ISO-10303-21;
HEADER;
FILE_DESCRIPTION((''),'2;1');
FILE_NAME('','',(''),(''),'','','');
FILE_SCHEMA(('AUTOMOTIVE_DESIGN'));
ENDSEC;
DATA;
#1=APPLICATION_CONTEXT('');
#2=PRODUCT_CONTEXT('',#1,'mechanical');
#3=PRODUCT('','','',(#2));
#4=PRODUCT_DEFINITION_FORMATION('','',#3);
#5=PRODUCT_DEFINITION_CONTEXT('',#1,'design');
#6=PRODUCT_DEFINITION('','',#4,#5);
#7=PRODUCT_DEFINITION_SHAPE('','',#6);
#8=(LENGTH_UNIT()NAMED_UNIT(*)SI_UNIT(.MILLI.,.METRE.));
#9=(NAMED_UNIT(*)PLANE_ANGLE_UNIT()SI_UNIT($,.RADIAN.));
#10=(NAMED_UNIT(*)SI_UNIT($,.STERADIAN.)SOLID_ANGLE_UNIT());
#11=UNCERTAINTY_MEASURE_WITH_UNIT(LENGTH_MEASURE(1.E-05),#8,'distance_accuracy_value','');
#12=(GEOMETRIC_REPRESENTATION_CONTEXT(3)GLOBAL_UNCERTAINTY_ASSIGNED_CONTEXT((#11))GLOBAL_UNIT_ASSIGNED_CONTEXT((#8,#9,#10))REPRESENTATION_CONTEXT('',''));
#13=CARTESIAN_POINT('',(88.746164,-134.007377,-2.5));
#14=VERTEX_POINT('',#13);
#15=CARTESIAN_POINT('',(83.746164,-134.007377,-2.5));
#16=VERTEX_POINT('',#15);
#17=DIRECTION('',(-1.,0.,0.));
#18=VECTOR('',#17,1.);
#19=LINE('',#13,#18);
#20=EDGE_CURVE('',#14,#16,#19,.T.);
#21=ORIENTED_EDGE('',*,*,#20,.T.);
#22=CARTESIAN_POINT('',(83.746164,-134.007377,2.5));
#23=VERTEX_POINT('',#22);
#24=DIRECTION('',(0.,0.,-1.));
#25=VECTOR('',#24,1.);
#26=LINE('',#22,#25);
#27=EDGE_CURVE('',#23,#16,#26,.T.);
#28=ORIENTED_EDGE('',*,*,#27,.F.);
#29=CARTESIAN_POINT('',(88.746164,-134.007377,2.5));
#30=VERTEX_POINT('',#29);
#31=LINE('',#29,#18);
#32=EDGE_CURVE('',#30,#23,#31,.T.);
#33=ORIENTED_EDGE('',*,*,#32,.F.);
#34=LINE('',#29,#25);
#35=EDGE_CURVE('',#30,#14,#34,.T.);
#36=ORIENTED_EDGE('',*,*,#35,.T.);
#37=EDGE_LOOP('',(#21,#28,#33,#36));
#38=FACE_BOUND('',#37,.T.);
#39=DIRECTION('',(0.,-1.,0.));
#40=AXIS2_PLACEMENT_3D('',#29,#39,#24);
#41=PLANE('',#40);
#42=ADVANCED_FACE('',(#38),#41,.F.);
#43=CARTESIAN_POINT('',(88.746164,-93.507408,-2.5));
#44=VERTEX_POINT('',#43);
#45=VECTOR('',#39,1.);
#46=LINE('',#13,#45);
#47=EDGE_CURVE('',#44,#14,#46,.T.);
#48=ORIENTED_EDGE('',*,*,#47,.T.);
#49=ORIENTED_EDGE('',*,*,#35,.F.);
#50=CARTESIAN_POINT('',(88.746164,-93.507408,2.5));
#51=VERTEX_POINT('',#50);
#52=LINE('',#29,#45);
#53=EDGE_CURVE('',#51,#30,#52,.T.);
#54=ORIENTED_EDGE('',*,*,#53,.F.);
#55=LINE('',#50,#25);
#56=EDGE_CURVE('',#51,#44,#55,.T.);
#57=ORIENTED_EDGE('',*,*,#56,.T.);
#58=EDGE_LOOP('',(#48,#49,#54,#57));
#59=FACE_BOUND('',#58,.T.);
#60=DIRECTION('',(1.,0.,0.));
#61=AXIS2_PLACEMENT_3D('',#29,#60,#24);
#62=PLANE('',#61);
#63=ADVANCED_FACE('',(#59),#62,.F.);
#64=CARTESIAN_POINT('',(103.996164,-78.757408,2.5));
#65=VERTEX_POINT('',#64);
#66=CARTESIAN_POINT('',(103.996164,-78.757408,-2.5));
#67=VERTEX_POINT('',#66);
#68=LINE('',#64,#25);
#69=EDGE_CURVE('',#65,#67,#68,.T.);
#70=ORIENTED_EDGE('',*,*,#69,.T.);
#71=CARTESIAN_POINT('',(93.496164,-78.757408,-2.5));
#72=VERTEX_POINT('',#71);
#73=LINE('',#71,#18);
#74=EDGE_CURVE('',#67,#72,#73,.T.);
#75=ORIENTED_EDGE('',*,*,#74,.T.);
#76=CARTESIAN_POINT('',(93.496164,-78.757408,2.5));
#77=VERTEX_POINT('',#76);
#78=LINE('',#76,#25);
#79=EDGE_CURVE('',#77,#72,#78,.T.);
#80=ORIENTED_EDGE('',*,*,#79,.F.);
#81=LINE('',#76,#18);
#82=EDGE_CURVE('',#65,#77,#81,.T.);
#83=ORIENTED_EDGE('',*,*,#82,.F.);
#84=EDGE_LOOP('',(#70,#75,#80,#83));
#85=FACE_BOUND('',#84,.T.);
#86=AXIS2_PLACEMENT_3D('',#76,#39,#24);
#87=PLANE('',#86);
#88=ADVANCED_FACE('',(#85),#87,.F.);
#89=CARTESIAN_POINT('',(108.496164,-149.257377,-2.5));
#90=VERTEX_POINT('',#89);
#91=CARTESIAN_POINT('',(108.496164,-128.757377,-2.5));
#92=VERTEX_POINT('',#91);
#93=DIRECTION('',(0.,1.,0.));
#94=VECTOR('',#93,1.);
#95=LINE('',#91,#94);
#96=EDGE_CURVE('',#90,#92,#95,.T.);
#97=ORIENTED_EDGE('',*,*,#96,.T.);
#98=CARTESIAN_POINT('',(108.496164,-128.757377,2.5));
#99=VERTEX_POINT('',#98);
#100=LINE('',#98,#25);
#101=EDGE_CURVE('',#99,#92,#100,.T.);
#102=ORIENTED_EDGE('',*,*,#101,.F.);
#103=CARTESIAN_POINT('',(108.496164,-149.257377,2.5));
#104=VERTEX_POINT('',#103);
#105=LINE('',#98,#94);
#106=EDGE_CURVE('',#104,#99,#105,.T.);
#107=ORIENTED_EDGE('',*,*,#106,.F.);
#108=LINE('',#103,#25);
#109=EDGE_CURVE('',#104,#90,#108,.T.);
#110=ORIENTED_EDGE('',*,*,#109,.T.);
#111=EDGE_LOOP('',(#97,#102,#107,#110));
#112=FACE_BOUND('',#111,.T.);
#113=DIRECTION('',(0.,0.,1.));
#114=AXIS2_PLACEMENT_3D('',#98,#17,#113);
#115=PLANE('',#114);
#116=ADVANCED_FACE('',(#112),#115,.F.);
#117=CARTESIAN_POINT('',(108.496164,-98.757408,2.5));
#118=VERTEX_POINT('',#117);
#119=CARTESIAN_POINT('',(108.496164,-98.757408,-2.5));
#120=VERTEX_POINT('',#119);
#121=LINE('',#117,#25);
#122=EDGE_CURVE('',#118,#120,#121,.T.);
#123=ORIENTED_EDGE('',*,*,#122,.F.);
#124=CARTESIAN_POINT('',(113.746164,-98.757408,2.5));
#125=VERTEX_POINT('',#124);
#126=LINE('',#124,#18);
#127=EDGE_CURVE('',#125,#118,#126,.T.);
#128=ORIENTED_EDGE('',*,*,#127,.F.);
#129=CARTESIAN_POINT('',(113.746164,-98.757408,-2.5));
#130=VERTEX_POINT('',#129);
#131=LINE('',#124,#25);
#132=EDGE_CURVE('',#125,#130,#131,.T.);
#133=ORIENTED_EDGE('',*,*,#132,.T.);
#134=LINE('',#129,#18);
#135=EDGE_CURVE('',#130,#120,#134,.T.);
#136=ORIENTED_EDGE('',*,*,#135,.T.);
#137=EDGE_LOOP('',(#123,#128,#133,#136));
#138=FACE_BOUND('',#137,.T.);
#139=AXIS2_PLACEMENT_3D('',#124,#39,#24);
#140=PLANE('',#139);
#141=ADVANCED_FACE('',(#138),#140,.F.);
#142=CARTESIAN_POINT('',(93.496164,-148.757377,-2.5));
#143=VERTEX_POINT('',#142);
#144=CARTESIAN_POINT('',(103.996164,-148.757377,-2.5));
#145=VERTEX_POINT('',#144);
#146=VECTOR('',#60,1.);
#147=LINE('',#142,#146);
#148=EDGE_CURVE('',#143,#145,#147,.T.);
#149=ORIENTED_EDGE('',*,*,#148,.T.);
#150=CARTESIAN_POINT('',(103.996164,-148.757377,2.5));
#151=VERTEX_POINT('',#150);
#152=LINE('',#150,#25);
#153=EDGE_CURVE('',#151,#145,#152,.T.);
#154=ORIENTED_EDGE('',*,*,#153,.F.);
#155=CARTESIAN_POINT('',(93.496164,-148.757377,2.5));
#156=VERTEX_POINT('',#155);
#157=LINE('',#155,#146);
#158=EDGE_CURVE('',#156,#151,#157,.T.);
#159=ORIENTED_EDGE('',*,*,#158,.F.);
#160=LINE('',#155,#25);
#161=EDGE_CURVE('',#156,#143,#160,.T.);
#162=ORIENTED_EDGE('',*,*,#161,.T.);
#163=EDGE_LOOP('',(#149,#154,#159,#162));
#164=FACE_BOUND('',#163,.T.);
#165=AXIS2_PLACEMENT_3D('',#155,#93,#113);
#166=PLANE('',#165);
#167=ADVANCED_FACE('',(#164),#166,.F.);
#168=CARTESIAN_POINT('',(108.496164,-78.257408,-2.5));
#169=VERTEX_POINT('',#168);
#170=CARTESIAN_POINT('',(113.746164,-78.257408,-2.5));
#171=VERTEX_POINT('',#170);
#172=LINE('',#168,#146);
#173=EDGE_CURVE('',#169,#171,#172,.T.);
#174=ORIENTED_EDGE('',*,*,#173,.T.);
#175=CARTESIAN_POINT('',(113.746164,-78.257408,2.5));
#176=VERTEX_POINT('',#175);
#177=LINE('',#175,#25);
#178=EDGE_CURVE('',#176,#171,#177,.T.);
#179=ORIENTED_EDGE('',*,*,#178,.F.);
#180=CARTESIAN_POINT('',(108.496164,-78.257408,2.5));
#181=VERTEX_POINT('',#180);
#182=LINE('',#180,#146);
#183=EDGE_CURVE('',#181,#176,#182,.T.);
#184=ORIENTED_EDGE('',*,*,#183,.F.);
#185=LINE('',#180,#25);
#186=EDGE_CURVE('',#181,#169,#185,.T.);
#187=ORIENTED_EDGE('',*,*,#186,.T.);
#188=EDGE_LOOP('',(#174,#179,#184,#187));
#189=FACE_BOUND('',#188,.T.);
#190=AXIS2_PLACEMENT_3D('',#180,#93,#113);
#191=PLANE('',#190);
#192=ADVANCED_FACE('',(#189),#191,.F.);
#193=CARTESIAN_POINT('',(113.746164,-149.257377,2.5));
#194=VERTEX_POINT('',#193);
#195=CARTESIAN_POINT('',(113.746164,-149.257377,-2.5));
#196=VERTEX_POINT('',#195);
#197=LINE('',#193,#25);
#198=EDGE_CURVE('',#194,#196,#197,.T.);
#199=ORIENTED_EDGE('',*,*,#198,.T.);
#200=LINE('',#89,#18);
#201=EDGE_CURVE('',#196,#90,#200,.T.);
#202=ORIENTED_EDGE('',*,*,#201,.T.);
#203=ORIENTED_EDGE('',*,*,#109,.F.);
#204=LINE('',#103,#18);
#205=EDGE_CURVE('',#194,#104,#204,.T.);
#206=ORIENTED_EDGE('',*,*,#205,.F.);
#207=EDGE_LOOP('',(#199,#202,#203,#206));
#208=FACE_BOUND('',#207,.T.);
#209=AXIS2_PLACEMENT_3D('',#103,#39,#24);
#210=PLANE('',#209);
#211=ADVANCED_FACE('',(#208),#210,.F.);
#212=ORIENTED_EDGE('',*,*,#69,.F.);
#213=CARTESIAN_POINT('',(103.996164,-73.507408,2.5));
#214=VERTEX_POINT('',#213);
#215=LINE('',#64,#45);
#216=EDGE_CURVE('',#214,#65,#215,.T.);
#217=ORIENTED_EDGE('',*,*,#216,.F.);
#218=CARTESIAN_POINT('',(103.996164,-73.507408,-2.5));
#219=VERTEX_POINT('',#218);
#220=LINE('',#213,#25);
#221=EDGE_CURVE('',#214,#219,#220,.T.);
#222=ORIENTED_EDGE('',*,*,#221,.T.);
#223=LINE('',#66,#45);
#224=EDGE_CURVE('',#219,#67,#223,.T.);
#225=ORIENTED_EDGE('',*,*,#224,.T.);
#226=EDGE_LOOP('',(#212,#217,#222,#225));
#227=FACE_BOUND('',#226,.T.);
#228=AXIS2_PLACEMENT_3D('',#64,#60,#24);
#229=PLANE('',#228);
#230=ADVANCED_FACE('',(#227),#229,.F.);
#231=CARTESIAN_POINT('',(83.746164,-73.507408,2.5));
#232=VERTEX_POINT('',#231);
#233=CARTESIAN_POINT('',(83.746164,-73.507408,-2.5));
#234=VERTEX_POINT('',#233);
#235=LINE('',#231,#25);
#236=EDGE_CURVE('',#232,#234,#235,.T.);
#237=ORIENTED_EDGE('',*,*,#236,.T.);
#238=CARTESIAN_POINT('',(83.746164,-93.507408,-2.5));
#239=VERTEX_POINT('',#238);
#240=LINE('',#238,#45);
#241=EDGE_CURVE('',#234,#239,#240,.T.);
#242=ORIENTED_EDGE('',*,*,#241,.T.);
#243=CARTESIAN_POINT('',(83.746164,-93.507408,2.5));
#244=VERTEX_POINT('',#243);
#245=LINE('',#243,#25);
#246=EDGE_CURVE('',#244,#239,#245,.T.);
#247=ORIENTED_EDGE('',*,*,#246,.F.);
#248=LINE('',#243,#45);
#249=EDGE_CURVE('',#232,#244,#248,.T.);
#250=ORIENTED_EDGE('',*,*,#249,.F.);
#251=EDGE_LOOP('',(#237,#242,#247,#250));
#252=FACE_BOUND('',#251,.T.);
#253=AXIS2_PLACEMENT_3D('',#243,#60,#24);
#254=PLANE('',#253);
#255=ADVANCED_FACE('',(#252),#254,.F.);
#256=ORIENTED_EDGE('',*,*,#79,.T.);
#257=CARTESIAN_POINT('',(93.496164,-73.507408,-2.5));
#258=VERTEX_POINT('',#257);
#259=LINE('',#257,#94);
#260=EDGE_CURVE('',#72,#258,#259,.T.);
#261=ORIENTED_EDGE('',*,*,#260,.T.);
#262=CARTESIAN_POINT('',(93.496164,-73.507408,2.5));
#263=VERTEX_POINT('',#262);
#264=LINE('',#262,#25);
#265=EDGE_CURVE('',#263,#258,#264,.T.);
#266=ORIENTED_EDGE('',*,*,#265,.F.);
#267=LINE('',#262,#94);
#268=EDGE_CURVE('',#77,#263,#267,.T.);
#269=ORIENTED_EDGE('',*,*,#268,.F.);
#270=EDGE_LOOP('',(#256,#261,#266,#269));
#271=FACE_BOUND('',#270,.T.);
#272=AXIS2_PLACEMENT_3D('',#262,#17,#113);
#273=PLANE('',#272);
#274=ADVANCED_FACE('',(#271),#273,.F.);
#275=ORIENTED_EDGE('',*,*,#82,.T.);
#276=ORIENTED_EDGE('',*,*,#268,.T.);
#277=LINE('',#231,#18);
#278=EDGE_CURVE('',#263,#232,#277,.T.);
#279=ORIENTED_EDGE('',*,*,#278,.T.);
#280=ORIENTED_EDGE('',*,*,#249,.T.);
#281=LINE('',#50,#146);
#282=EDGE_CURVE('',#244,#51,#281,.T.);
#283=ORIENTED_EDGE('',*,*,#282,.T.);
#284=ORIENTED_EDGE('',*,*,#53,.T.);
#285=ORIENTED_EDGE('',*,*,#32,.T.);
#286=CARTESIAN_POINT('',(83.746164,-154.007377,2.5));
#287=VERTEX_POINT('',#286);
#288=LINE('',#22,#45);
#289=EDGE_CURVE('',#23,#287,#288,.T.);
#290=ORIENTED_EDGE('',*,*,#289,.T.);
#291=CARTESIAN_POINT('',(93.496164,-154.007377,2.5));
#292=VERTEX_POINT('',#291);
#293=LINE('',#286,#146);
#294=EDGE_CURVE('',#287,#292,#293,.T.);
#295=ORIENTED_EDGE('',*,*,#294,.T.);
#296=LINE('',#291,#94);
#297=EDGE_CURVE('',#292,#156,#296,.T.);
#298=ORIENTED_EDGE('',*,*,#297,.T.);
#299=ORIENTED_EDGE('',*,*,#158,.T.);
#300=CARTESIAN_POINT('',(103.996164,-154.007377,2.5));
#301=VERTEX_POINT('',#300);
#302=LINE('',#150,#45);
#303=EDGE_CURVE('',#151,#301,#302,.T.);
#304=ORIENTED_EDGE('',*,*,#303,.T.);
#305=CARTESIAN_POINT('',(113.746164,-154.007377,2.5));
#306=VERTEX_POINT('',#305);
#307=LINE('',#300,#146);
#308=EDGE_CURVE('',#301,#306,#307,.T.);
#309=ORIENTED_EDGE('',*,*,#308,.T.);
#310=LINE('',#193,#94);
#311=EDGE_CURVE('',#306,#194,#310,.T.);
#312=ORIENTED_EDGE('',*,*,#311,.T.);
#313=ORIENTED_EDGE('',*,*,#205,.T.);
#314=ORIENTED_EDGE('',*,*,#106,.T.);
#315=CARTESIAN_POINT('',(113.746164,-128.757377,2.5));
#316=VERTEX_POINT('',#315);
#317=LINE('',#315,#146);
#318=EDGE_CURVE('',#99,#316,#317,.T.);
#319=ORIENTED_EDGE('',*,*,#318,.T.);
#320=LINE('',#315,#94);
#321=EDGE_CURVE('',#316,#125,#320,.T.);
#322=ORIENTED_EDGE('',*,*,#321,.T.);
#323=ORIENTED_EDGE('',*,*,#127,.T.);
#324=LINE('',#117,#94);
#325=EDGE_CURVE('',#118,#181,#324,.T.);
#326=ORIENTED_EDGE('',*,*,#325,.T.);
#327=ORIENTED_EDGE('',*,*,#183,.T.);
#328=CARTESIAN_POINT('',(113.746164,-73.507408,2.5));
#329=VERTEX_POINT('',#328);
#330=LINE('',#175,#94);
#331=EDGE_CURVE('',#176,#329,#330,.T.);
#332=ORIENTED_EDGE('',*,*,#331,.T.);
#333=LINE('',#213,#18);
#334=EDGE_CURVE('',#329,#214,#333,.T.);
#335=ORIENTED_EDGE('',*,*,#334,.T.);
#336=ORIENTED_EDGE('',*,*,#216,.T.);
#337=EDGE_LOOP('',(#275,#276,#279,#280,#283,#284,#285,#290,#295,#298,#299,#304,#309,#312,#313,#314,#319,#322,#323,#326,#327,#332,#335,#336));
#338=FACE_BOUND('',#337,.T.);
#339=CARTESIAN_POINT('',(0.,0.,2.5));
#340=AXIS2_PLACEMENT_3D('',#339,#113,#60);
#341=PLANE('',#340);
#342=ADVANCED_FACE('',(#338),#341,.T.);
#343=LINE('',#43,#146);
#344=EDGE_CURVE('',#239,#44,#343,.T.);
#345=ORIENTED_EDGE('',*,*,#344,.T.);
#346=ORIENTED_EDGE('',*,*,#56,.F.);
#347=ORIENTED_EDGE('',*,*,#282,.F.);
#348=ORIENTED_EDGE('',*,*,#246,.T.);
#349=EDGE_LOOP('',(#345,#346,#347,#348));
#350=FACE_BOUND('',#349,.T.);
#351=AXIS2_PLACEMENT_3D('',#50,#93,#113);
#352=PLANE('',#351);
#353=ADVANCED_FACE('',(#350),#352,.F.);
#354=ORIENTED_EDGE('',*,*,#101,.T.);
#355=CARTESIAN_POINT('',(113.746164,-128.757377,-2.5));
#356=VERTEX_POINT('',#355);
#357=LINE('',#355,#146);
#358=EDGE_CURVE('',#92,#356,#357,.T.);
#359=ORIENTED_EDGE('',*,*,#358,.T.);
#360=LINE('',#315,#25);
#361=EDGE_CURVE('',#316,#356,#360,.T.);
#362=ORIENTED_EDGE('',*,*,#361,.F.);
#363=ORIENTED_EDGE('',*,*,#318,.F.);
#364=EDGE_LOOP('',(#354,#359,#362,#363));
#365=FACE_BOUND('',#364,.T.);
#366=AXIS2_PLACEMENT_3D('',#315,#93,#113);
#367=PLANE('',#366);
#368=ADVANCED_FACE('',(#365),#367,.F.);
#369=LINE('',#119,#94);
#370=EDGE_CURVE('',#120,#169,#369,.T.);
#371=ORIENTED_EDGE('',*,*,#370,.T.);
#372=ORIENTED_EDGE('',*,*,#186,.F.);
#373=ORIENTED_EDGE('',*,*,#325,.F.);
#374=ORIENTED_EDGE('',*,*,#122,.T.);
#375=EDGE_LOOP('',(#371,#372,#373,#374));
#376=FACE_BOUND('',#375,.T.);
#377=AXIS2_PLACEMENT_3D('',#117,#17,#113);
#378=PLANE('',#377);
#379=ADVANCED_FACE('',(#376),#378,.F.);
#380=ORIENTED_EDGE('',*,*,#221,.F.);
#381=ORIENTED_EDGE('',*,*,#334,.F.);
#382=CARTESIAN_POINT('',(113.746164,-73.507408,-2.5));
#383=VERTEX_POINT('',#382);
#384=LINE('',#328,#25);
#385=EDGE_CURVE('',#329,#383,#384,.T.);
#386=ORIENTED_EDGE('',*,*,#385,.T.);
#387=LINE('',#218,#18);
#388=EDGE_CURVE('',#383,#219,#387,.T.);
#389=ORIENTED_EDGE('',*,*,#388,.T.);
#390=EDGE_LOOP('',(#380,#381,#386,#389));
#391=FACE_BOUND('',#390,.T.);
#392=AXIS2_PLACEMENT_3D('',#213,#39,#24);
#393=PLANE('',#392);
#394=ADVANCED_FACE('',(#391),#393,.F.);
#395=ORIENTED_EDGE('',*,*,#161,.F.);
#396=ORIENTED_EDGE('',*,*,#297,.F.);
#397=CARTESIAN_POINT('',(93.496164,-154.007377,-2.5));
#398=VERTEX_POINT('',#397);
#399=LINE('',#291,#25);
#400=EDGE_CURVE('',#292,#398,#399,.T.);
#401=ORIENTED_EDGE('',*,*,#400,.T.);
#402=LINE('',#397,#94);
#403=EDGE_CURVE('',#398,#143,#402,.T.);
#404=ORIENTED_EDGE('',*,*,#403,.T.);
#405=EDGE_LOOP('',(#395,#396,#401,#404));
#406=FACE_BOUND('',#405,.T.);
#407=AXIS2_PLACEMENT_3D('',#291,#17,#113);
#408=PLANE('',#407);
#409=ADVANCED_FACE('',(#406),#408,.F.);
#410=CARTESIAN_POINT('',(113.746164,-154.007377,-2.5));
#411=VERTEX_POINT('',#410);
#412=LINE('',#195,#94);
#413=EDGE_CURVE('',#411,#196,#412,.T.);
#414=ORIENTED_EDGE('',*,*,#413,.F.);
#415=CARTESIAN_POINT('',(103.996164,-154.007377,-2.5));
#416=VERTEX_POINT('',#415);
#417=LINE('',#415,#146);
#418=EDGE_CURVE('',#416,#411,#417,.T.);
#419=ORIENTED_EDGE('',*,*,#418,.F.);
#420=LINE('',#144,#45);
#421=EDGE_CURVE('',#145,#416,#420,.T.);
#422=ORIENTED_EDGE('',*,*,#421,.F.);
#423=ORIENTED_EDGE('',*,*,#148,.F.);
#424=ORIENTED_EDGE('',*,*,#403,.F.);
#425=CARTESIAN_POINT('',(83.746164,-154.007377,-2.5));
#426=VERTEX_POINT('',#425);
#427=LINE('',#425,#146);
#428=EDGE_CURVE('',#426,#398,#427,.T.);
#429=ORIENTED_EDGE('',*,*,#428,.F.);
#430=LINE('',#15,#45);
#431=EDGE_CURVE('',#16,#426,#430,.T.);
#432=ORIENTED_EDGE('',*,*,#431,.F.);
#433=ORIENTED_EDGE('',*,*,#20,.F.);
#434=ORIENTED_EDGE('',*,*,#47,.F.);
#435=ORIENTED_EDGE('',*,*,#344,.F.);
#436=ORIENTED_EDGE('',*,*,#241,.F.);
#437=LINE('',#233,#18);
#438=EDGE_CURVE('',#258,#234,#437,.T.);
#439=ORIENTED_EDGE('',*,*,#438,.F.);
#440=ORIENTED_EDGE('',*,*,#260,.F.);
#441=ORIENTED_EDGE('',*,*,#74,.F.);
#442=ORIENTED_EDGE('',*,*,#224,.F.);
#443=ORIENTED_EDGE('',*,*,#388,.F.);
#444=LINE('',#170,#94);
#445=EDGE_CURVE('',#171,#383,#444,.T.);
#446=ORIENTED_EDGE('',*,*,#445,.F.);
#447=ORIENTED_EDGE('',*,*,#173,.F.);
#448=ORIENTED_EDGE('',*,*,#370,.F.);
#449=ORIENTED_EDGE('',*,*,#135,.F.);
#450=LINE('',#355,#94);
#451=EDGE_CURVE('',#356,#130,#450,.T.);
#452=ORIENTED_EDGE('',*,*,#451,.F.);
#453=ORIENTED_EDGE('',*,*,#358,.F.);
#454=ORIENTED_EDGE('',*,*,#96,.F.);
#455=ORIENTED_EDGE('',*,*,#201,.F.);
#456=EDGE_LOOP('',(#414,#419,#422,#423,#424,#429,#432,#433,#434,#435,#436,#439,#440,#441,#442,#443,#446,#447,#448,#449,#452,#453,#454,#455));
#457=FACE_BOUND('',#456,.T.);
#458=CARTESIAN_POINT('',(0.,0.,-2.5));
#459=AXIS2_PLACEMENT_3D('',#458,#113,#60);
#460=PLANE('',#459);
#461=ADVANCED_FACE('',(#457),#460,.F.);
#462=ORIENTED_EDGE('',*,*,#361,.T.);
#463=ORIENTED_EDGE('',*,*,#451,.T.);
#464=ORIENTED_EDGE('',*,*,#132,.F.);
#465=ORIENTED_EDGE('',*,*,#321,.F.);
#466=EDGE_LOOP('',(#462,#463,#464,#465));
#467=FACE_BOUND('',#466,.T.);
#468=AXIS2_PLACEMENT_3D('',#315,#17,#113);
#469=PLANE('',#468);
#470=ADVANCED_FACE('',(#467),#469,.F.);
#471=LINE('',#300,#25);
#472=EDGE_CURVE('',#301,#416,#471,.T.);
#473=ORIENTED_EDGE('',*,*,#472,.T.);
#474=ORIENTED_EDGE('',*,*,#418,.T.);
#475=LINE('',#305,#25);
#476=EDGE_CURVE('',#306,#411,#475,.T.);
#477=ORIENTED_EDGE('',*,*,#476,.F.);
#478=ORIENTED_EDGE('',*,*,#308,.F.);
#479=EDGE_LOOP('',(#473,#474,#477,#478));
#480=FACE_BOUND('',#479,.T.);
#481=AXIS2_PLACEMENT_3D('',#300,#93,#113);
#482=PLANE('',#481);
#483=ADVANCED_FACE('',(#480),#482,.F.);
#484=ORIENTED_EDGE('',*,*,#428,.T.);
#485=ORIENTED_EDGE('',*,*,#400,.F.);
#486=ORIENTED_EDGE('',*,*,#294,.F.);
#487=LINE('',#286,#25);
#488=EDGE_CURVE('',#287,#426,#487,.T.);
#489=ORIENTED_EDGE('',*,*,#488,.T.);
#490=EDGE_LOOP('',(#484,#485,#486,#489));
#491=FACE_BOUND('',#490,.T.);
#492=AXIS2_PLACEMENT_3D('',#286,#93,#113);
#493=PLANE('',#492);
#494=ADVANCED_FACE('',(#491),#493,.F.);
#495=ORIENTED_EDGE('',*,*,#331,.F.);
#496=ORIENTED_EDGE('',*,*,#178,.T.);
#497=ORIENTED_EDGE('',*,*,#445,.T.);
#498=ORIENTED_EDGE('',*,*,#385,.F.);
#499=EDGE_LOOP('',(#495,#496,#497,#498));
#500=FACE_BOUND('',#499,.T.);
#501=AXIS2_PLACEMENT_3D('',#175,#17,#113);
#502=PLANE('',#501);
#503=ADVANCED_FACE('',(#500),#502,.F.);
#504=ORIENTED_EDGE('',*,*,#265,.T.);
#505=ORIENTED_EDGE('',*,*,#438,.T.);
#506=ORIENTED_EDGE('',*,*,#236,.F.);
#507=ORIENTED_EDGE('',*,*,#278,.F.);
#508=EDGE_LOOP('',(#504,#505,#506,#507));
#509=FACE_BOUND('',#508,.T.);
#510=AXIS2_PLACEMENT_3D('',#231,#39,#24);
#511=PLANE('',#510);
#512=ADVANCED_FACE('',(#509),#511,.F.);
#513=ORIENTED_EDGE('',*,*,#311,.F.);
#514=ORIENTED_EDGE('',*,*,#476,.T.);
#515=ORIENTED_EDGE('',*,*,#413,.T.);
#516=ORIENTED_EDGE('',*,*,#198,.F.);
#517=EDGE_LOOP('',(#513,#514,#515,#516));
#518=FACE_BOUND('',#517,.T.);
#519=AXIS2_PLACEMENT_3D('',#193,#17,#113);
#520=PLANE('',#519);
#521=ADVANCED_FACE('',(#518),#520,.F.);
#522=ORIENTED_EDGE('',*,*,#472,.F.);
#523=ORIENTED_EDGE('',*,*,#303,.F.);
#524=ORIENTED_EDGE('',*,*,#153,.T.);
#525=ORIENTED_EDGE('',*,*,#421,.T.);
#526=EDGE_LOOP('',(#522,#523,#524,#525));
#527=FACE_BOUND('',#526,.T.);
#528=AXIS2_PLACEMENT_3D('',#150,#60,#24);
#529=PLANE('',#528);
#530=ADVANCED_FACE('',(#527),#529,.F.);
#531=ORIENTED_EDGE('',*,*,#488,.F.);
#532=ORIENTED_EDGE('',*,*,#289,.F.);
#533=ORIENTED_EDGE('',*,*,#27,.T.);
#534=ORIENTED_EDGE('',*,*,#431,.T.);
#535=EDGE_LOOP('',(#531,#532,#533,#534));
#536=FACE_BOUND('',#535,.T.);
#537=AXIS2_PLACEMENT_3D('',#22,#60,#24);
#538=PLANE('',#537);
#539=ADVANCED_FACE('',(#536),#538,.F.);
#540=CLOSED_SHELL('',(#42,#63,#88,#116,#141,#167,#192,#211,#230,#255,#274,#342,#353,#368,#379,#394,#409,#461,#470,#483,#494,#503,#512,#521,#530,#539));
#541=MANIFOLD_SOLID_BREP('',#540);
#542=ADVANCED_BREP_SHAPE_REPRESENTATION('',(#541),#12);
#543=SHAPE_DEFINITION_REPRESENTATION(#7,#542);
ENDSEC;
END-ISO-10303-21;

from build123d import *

# Parameters (mm, degrees)
BOSS_EXTRUDE1_DEPTH = 2.5


with BuildPart() as part:
    # Sketch2 → Boss-Extrude1 (new, symmetric)
    with BuildSketch(Plane.XY):
        Polygon((113.746163942, -98.757408203), (108.496163942, -98.757408203), (108.496163942, -78.257408203), (113.746163942, -78.257408203), (113.746163942, -73.507408203), (103.996163942, -73.507408203), (103.996163942, -78.757408203), (93.496163942, -78.757408203), (93.496163942, -73.507408203), (83.746163942, -73.507408203), (83.746163942, -93.507408203), (88.746163942, -93.507408203), (88.746163942, -134.007377288), (83.746163942, -134.007377288), (83.746163942, -154.007377288), (93.496163942, -154.007377288), (93.496163942, -148.757377288), (103.996163942, -148.757377288), (103.996163942, -154.007377288), (113.746163942, -154.007377288), (113.746163942, -149.257377288), (108.496163942, -149.257377288), (108.496163942, -128.757377288), (113.746163942, -128.757377288), align=None)
    extrude(amount=BOSS_EXTRUDE1_DEPTH, both=True)


solid = part.part
